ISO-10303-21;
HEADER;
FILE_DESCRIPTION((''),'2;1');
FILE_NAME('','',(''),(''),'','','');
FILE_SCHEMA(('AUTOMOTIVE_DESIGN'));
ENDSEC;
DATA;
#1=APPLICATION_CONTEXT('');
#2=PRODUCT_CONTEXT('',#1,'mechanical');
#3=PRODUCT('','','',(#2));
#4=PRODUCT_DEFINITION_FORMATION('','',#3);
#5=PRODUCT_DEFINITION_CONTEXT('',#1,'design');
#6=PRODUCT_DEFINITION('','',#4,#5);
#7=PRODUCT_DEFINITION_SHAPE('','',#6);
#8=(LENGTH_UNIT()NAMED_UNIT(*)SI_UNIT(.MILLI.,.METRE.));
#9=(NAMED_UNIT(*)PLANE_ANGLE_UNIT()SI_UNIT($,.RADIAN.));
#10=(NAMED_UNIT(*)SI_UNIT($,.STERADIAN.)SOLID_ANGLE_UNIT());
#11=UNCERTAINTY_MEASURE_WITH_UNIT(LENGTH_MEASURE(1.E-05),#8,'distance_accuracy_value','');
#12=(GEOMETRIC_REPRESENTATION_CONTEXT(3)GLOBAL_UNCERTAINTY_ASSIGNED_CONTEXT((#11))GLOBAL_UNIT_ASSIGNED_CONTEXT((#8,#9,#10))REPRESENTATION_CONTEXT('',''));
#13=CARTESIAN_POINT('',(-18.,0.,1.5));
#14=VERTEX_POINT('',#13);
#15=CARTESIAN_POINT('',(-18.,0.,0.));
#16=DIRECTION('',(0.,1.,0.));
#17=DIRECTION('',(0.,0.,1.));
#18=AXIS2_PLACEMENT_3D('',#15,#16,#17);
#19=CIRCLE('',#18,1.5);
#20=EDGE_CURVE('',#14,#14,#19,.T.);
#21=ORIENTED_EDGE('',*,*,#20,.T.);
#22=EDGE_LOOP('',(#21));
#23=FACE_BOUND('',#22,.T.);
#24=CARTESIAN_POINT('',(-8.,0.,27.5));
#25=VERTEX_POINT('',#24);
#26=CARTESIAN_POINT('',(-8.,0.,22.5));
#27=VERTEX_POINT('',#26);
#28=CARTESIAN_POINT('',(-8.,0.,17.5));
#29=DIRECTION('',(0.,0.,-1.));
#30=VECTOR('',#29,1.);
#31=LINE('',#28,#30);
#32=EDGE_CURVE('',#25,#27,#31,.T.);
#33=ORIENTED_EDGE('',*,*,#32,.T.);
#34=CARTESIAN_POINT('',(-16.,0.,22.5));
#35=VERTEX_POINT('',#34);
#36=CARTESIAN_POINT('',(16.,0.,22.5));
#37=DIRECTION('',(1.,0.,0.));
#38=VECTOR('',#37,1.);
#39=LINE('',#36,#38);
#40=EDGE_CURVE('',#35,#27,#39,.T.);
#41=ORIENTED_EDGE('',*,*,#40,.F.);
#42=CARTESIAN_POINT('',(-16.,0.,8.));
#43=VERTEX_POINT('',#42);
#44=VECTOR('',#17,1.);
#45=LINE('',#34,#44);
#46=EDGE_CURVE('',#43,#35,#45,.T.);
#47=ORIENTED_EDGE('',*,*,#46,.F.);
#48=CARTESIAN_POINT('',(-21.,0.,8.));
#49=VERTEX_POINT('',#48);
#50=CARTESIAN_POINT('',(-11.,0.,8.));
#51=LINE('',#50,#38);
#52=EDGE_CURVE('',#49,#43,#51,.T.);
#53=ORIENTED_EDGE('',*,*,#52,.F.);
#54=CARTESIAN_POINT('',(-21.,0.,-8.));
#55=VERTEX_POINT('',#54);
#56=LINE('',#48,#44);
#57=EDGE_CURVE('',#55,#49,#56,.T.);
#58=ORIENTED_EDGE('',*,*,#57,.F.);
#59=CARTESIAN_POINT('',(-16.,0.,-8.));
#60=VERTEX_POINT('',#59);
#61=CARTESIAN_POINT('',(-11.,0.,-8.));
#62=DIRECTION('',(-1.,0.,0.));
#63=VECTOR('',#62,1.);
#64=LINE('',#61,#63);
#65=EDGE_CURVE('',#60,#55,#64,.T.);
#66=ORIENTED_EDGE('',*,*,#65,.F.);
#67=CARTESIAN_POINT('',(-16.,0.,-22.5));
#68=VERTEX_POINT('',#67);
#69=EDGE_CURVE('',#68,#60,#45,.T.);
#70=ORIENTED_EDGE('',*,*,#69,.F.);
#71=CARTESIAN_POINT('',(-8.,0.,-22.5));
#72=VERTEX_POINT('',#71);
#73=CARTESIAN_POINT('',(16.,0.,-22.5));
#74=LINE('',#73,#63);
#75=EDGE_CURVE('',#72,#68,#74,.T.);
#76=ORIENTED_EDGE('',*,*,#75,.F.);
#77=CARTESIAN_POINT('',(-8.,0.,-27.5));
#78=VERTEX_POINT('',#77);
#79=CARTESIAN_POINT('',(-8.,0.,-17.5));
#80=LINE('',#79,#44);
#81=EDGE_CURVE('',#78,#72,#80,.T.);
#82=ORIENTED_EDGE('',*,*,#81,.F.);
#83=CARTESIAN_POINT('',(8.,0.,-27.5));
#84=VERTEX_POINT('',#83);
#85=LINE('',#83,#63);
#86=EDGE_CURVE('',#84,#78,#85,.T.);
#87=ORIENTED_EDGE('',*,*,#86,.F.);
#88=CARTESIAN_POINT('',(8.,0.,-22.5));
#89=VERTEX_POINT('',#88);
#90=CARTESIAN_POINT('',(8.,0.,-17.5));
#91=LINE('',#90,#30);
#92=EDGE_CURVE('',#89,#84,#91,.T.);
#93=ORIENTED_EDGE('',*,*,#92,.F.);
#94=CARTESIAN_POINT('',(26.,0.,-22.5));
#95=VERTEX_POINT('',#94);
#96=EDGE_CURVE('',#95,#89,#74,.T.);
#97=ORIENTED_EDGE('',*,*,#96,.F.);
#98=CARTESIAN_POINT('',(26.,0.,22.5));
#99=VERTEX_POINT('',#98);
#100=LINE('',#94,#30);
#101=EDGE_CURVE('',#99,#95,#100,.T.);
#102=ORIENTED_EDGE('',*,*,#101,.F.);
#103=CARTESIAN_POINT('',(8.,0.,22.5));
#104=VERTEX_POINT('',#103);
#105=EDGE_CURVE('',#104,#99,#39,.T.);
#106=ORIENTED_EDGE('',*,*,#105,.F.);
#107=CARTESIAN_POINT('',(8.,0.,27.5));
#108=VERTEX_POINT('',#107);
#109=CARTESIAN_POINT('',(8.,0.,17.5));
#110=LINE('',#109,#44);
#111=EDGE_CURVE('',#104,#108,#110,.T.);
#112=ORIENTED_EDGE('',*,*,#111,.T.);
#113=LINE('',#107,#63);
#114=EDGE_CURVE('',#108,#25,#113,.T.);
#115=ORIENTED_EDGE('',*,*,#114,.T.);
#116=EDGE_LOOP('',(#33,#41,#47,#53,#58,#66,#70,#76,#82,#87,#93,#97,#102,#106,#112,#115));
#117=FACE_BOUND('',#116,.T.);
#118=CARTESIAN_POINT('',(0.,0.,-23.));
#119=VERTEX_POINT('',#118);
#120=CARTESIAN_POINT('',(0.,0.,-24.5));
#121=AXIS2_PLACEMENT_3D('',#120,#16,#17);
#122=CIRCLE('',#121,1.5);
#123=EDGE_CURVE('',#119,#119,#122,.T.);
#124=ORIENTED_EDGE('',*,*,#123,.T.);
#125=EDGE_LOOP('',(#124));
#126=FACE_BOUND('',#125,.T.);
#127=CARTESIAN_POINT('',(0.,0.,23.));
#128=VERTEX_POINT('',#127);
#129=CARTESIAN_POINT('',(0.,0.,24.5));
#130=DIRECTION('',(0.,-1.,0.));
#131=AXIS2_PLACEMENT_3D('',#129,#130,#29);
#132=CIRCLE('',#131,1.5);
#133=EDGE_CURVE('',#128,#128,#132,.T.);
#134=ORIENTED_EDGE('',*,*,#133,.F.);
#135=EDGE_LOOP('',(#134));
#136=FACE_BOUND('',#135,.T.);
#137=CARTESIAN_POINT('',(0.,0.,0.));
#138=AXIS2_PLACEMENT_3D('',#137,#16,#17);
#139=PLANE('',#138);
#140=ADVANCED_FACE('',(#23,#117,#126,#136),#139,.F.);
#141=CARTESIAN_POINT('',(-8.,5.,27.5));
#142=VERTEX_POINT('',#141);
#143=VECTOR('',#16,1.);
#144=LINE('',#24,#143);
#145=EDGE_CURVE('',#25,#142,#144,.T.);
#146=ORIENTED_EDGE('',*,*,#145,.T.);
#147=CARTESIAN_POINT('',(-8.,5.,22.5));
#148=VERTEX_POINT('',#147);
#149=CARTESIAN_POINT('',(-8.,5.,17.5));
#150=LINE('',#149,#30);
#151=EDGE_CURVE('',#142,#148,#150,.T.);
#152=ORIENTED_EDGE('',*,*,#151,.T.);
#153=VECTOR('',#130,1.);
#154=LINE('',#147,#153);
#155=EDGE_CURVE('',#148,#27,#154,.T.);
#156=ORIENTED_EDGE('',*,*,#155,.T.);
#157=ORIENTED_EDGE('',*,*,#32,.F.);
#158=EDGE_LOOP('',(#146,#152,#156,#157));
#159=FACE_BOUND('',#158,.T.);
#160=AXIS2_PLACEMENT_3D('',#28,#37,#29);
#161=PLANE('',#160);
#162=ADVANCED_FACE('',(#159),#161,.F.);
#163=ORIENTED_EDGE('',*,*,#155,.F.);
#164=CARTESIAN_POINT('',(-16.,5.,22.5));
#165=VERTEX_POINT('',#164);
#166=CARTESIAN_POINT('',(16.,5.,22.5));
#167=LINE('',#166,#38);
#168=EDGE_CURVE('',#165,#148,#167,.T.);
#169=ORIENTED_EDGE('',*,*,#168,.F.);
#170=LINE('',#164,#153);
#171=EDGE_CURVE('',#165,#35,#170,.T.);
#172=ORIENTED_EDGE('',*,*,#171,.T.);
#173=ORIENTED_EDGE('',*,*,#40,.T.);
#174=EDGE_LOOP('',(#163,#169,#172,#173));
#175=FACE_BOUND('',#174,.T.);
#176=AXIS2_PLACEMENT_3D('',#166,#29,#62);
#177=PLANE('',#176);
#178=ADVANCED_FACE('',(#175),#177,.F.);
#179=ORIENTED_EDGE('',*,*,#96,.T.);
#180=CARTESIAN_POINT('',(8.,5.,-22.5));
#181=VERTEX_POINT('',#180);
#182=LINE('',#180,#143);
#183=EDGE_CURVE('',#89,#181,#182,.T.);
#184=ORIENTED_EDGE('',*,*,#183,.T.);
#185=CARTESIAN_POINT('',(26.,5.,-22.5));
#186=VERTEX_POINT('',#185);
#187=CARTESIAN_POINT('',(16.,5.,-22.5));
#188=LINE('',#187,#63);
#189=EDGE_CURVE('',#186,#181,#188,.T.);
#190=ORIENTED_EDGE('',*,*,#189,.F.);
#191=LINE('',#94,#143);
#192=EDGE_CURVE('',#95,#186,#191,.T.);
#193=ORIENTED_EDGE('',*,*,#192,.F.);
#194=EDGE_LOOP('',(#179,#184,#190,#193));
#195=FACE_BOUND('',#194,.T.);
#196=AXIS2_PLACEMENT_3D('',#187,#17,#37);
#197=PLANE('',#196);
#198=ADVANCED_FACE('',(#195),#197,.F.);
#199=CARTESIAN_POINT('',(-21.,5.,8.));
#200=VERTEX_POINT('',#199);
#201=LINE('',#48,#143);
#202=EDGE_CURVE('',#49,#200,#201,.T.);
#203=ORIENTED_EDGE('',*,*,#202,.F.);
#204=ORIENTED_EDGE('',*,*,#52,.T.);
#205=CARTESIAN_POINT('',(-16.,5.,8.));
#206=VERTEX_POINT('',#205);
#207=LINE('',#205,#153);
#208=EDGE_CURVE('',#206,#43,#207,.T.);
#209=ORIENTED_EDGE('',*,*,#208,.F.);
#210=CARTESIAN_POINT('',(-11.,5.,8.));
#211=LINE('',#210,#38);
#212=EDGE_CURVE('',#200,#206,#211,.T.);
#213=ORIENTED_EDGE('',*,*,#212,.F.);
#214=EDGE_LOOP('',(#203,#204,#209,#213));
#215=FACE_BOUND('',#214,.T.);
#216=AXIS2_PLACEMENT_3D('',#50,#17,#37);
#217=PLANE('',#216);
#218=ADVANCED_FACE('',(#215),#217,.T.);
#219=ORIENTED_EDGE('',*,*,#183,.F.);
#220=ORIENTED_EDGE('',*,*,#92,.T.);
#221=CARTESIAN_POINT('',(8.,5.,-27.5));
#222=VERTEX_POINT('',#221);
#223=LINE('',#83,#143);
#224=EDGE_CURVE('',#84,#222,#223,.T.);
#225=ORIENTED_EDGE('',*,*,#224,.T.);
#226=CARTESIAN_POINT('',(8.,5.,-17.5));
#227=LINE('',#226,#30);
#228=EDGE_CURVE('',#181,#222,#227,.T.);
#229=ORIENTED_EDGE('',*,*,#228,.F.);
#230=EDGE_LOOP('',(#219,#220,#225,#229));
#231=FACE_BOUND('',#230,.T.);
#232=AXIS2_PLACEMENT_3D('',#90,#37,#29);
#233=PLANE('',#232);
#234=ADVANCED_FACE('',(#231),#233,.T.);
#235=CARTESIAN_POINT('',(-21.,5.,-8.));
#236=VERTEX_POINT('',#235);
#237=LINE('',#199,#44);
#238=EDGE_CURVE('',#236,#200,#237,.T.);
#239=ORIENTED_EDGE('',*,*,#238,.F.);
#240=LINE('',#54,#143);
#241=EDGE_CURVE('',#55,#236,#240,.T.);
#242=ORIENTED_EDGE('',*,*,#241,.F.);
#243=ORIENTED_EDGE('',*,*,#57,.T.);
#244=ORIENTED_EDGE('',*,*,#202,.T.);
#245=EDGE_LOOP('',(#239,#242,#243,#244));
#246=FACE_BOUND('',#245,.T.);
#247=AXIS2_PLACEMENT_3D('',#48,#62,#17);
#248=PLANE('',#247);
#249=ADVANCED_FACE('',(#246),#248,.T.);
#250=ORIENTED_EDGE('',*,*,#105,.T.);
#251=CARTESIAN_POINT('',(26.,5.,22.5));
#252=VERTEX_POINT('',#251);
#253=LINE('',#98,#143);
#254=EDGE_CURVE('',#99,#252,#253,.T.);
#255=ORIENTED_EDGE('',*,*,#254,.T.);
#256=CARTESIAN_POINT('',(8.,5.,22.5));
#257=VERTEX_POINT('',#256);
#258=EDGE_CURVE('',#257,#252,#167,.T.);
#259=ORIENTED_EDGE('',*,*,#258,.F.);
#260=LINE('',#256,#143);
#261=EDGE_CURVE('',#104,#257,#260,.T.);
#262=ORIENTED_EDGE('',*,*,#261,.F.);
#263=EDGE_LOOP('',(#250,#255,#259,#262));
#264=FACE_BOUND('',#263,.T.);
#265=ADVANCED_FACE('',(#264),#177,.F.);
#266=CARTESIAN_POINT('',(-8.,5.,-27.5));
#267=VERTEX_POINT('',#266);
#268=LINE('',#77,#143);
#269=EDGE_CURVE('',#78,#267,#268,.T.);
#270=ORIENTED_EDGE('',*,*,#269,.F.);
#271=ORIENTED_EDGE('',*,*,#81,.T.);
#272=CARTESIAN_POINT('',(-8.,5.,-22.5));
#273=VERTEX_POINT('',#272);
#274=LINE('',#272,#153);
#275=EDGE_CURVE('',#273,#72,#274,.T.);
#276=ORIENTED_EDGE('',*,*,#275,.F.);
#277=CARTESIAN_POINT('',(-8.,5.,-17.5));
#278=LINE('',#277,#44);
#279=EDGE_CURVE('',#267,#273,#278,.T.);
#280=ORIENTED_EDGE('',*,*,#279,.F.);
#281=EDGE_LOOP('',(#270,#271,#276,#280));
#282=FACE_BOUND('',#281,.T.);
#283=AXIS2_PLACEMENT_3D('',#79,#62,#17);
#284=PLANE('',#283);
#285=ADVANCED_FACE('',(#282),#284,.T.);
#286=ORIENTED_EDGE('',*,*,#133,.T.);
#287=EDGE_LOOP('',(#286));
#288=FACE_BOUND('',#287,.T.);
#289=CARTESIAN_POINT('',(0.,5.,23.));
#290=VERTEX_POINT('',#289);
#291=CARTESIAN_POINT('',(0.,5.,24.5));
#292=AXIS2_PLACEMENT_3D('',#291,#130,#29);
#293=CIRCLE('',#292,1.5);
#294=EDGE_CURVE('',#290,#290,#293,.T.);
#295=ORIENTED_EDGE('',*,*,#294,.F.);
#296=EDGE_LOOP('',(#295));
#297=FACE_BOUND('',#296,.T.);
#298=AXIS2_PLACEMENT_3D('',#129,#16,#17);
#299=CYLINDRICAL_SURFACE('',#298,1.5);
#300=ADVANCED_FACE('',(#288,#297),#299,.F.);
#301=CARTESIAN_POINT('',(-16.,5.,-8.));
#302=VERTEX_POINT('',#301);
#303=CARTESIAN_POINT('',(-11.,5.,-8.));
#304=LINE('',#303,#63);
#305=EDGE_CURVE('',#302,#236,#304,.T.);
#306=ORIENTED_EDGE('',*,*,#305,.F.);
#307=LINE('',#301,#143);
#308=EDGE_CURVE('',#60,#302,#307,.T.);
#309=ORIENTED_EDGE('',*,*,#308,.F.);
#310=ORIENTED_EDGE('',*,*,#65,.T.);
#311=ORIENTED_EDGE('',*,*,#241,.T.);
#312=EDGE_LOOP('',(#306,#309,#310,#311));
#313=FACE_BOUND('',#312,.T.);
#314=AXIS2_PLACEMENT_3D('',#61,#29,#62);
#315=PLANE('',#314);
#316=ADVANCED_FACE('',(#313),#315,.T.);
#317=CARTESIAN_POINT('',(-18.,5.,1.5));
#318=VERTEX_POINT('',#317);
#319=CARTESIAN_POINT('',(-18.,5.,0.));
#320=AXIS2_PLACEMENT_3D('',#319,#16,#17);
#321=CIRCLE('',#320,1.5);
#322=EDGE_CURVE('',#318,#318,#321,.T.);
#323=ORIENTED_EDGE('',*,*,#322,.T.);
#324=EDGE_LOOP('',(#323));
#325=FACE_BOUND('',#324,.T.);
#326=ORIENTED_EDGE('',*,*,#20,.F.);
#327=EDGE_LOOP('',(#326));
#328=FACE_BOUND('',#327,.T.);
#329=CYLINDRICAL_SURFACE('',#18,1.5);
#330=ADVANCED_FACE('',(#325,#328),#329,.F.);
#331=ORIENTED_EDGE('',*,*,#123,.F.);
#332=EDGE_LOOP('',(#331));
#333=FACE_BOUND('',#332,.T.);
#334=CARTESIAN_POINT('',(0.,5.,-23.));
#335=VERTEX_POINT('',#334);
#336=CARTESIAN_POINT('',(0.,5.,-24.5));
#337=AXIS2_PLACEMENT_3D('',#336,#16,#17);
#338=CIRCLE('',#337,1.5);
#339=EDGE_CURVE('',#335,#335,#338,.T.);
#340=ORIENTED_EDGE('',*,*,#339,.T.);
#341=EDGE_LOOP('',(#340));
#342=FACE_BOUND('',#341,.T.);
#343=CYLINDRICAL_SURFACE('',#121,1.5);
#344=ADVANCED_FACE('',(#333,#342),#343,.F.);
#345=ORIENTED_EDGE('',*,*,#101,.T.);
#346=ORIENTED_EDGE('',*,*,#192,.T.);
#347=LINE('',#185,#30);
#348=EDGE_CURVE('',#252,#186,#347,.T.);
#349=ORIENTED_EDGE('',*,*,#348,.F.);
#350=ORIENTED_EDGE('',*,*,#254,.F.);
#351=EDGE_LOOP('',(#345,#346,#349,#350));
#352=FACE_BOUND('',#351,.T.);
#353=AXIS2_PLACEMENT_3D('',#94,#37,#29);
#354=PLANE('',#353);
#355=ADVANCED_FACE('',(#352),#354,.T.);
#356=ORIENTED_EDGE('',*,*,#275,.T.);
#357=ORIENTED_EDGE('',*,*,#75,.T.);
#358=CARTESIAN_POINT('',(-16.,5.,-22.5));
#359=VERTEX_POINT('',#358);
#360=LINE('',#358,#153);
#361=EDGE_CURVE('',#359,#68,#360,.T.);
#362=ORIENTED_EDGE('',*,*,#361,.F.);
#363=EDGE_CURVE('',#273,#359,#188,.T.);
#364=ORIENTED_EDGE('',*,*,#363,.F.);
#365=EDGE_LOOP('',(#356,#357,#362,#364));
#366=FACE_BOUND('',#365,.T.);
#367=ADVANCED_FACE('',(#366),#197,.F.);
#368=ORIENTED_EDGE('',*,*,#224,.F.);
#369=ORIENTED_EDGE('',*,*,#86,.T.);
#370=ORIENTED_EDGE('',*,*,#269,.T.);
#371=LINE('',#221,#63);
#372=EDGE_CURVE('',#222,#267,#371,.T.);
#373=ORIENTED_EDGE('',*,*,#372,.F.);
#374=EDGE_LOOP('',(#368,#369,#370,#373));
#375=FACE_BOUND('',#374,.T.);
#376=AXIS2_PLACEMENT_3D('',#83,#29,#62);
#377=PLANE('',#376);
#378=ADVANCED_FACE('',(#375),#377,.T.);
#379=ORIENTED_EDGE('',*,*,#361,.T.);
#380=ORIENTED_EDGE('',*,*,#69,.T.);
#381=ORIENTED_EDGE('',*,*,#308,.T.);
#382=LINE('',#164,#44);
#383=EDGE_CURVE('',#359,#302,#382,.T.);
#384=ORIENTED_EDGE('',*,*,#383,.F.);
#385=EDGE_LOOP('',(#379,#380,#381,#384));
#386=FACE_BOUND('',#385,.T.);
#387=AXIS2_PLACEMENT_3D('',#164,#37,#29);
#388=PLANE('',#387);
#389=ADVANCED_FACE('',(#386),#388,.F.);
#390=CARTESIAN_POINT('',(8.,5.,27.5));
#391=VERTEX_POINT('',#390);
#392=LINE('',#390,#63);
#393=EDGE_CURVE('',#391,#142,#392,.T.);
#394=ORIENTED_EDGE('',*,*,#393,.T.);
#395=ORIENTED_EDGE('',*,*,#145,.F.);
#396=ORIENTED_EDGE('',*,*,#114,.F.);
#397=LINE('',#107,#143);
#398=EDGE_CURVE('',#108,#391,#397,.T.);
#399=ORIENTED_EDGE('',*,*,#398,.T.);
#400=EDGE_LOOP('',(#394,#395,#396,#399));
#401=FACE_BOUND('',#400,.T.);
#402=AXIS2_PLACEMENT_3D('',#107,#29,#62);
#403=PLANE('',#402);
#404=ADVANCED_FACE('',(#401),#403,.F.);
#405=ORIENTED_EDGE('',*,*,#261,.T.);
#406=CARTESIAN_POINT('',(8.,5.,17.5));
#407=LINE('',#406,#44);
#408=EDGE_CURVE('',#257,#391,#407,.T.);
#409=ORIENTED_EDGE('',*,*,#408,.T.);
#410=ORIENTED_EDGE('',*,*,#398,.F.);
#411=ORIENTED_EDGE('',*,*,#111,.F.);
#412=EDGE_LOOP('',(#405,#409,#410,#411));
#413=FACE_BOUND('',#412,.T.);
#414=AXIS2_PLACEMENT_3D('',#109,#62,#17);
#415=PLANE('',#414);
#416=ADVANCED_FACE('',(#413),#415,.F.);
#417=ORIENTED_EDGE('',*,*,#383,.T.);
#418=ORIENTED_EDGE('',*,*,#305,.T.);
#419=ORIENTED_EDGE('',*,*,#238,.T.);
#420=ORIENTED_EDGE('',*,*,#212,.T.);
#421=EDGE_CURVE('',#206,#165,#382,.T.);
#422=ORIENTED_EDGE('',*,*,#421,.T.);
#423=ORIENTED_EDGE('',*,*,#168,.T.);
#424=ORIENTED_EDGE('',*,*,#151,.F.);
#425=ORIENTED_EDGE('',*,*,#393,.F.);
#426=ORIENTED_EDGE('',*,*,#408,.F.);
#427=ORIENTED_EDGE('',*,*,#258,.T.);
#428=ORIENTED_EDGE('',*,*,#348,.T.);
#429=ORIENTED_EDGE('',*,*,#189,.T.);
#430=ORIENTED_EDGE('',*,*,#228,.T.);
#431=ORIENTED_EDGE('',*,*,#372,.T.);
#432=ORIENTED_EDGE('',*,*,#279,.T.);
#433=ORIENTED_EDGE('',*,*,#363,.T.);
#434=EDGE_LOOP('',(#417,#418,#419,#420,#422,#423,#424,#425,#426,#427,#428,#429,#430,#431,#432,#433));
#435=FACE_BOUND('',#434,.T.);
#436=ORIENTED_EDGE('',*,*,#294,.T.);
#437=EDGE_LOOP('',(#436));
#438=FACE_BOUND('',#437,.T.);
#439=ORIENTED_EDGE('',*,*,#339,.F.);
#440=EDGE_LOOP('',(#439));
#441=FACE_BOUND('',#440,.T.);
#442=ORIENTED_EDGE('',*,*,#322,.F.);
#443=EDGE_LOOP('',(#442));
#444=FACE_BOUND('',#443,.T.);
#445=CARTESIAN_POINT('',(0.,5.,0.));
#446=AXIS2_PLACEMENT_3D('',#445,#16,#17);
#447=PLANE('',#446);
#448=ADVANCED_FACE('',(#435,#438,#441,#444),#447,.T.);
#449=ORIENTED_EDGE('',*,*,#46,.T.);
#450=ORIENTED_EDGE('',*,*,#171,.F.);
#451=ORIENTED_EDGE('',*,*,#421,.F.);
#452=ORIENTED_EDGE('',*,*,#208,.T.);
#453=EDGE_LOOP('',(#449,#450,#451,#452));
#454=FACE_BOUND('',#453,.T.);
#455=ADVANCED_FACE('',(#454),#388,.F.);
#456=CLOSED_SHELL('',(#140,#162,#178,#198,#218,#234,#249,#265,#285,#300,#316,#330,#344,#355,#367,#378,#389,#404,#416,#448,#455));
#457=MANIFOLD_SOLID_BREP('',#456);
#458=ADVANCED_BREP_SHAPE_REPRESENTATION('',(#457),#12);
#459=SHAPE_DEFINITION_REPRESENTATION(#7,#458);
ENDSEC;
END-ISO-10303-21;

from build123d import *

# Parameters (mm, degrees)
CROQUIS1_W              = 32
CROQUIS1_H              = 45
SALIENTE_EXTRUIR1_DEPTH = 5
CROQUIS2_W              = 16
CROQUIS2_H              = 10
SALIENTE_EXTRUIR2_DEPTH = 5
CROQUIS3_R              = 1.5
CORTAR_EXTRUIR1_DEPTH   = 33.20636583
CROQUIS4_W              = 10
CROQUIS4_H              = 16
SALIENTE_EXTRUIR3_DEPTH = 5
CROQUIS5_R              = 1.5
CORTAR_EXTRUIR2_DEPTH   = 35.960692213
CROQUIS6_W              = 10
CROQUIS6_H              = 45
SALIENTE_EXTRUIR4_DEPTH = 5


with BuildPart() as part:
    # Croquis1 → Saliente-Extruir1 (new body)
    with BuildSketch(Plane(origin=(0, 0, 0), x_dir=(1, 0, 0), z_dir=(0, 1, 0))):
        Rectangle(CROQUIS1_W, CROQUIS1_H)
    extrude(amount=SALIENTE_EXTRUIR1_DEPTH)

    # Croquis2 → Saliente-Extruir2 (add, through all)
    with BuildSketch(Plane(origin=(0, 5, 0), x_dir=(1, 0, 0), z_dir=(0, 1, 0))):
        with Locations((0, 22.5)):
            Rectangle(CROQUIS2_W, CROQUIS2_H)
    saliente_extruir2 = extrude(amount=-SALIENTE_EXTRUIR2_DEPTH)

    # Croquis3 → Cortar-Extruir1 (cut, through all)
    with BuildSketch(Plane(origin=(0, 5, 0), x_dir=(1, 0, 0), z_dir=(0, 1, 0))):
        with Locations(Location((0, 24.5, 0), (0, 0, 270))):
            Circle(CROQUIS3_R)
    cortar_extruir1 = extrude(amount=-CORTAR_EXTRUIR1_DEPTH, mode=Mode.SUBTRACT)

    # Simetría1: Saliente-Extruir2, Cortar-Extruir1 across plane
    add(saliente_extruir2.mirror(Plane.XY))
    add(cortar_extruir1.mirror(Plane.XY), mode=Mode.SUBTRACT)

    # Croquis4 → Saliente-Extruir3 (add, through all)
    with BuildSketch(Plane(origin=(0, 5, 0), x_dir=(1, 0, 0), z_dir=(0, 1, 0))):
        with Locations((-16, 0)):
            Rectangle(CROQUIS4_W, CROQUIS4_H)
    extrude(amount=-SALIENTE_EXTRUIR3_DEPTH)

    # Croquis5 → Cortar-Extruir2 (cut, through all)
    with BuildSketch(Plane(origin=(0, 5, 0), x_dir=(1, 0, 0), z_dir=(0, 1, 0))):
        with Locations(Location((-18, 0, 0), (0, 0, 270))):
            Circle(CROQUIS5_R)
    extrude(amount=-CORTAR_EXTRUIR2_DEPTH, mode=Mode.SUBTRACT)

    # Croquis6 → Saliente-Extruir4 (add)
    with BuildSketch(Plane(origin=(0, 5, 0), x_dir=(1, 0, 0), z_dir=(0, 1, 0))):
        with Locations((21, 0)):
            Rectangle(CROQUIS6_W, CROQUIS6_H)
    extrude(amount=-SALIENTE_EXTRUIR4_DEPTH)


solid = part.part
